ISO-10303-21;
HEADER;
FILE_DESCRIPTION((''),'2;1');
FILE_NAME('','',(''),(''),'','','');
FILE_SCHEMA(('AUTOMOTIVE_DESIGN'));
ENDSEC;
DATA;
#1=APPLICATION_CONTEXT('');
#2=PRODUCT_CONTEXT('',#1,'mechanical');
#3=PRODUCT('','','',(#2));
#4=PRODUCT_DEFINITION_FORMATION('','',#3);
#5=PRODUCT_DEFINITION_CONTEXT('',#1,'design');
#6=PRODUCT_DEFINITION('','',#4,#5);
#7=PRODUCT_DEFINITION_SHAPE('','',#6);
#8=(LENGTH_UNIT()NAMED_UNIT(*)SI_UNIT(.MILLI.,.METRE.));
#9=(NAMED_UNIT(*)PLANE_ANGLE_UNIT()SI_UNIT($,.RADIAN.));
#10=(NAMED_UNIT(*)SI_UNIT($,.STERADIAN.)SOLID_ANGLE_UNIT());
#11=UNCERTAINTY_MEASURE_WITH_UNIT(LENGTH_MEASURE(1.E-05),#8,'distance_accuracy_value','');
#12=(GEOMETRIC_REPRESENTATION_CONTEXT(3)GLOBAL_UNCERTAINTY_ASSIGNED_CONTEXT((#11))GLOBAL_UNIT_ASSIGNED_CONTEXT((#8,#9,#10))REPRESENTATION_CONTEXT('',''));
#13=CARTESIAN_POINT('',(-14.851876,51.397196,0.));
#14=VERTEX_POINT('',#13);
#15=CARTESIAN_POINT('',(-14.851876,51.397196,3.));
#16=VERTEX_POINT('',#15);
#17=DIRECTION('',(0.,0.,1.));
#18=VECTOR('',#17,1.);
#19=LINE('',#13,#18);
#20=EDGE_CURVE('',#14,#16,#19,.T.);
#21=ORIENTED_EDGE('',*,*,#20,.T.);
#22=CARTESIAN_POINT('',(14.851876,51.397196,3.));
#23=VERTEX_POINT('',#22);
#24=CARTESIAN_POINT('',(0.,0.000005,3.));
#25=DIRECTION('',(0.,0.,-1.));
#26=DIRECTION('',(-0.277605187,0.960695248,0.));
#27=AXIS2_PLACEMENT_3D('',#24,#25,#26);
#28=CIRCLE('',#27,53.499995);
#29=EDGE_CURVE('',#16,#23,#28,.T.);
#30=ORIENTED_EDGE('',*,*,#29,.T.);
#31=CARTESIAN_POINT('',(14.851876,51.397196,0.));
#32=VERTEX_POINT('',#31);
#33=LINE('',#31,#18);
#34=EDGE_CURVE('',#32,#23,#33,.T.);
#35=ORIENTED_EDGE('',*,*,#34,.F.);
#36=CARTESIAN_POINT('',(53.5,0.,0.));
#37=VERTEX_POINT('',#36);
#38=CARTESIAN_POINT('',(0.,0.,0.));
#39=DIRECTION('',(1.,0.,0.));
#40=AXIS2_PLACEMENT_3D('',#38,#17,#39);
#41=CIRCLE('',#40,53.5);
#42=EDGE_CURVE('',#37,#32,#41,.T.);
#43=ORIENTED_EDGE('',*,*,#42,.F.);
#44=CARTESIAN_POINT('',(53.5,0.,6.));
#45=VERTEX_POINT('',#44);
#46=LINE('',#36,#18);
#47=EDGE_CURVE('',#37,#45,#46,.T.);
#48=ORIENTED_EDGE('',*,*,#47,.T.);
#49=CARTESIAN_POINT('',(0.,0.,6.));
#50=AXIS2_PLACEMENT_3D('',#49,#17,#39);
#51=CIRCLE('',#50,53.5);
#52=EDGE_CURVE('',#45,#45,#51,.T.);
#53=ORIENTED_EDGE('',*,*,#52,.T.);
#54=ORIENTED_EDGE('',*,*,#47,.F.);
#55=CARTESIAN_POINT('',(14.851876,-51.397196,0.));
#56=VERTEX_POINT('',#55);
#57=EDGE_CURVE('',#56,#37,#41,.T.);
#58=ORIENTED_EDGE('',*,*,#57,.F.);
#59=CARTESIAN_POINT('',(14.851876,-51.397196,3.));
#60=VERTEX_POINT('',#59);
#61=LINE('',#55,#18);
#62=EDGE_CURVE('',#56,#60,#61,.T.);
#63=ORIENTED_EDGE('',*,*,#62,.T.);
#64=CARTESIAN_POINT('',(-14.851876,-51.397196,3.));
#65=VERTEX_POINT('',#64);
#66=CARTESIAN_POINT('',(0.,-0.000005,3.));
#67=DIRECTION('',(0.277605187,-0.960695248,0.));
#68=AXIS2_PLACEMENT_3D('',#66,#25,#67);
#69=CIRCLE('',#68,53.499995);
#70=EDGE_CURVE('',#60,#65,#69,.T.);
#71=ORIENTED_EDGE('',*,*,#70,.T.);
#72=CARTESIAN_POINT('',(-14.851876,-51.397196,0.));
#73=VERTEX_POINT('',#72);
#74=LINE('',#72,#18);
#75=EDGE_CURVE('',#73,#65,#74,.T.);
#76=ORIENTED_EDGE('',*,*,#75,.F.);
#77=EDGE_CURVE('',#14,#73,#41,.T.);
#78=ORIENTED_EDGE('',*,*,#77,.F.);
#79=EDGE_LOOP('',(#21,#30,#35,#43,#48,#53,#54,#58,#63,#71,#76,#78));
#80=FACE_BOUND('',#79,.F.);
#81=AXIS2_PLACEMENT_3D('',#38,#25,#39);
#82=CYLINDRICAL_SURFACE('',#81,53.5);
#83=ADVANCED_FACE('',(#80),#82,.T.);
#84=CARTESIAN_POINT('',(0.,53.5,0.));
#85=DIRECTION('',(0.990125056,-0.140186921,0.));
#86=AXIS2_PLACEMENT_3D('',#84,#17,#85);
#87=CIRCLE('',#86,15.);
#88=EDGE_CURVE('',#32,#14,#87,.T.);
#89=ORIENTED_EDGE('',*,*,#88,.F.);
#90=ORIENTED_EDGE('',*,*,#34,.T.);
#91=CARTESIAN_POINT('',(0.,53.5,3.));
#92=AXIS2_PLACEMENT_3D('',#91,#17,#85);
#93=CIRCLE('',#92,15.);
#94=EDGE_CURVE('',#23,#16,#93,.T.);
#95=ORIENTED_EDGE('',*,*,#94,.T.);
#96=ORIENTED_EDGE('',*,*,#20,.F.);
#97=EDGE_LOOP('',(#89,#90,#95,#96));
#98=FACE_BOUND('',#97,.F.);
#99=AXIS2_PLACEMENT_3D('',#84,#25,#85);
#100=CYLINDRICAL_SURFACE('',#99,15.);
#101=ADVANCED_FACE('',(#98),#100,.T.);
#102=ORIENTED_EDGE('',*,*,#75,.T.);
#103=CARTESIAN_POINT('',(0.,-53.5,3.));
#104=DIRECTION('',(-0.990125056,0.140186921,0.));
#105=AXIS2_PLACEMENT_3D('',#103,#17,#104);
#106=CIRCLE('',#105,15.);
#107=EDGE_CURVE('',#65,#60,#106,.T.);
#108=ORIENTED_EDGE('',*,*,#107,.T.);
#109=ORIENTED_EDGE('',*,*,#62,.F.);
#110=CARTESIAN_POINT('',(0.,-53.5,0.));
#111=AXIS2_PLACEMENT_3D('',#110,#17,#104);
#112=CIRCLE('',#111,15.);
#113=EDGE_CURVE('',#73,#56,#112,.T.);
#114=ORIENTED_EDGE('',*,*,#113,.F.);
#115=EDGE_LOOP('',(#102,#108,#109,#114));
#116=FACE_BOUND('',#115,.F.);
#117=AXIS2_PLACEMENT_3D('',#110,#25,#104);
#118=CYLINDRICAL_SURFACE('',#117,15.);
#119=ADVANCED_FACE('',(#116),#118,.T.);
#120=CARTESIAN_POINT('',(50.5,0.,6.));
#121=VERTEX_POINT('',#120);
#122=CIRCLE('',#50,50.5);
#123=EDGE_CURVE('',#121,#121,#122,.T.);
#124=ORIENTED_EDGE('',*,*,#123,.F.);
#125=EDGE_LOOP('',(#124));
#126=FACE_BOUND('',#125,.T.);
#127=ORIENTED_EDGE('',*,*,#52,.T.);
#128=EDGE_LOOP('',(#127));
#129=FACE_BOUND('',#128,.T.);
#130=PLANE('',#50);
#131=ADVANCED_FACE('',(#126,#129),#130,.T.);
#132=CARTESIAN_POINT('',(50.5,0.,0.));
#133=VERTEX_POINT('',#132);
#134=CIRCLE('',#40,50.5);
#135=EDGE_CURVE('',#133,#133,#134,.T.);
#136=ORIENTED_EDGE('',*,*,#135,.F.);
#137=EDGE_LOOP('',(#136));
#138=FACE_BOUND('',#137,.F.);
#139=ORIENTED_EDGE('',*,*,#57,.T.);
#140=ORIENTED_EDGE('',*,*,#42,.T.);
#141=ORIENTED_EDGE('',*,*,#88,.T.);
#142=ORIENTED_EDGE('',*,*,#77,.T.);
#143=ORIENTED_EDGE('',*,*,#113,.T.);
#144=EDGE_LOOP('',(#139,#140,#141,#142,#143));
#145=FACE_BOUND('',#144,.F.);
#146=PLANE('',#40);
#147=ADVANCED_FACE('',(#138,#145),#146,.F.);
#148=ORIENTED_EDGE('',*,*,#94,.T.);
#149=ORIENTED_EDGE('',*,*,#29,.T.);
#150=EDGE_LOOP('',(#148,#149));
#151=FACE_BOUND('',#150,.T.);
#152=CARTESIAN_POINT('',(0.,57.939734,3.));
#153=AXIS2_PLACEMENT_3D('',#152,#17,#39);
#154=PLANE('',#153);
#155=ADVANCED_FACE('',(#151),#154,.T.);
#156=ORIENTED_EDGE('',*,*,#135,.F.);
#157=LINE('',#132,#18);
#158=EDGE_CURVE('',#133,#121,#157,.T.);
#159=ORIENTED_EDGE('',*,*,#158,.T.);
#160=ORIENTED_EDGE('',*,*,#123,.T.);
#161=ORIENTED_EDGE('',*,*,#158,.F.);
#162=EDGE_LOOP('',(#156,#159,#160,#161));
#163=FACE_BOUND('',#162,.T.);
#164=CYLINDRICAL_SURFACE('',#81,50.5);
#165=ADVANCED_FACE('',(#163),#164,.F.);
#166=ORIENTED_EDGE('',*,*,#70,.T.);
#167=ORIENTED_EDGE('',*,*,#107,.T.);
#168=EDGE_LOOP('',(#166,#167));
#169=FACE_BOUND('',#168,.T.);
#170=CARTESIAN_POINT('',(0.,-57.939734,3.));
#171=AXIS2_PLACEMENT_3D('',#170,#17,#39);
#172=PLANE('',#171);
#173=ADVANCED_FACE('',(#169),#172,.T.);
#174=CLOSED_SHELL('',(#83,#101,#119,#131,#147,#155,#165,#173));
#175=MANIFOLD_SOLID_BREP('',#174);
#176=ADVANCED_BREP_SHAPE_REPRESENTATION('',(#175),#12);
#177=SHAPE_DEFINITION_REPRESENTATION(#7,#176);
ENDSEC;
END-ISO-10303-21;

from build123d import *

# Parameters (mm, degrees)
F0_R     = 53.5
F0_R_2   = 50.5
F1_DEPTH = 6
F3_DEPTH = 3


with BuildPart() as f1:
    # F0 (on Top) → F1 (new body)
    with BuildSketch(Plane.XY):
        Circle(F0_R)
        Circle(F0_R_2, mode=Mode.SUBTRACT)
    extrude(amount=F1_DEPTH)

    # F2 (on Top) → F3 (join)
    with BuildSketch(Plane.XY):
        with BuildLine():
            ThreePointArc((14.851876, -51.397196), (0, -53.5), (-14.851876, -51.397196))
            ThreePointArc((-14.851876, -51.397196), (0, -68.5), (14.851876, -51.397196))
        make_face()
        with BuildLine():
            ThreePointArc((-14.851876, 51.397196), (0, 53.5), (14.851876, 51.397196))
            ThreePointArc((14.851876, 51.397196), (0, 68.5), (-14.851876, 51.397196))
        make_face()
    extrude(amount=F3_DEPTH)


solid = f1.part
